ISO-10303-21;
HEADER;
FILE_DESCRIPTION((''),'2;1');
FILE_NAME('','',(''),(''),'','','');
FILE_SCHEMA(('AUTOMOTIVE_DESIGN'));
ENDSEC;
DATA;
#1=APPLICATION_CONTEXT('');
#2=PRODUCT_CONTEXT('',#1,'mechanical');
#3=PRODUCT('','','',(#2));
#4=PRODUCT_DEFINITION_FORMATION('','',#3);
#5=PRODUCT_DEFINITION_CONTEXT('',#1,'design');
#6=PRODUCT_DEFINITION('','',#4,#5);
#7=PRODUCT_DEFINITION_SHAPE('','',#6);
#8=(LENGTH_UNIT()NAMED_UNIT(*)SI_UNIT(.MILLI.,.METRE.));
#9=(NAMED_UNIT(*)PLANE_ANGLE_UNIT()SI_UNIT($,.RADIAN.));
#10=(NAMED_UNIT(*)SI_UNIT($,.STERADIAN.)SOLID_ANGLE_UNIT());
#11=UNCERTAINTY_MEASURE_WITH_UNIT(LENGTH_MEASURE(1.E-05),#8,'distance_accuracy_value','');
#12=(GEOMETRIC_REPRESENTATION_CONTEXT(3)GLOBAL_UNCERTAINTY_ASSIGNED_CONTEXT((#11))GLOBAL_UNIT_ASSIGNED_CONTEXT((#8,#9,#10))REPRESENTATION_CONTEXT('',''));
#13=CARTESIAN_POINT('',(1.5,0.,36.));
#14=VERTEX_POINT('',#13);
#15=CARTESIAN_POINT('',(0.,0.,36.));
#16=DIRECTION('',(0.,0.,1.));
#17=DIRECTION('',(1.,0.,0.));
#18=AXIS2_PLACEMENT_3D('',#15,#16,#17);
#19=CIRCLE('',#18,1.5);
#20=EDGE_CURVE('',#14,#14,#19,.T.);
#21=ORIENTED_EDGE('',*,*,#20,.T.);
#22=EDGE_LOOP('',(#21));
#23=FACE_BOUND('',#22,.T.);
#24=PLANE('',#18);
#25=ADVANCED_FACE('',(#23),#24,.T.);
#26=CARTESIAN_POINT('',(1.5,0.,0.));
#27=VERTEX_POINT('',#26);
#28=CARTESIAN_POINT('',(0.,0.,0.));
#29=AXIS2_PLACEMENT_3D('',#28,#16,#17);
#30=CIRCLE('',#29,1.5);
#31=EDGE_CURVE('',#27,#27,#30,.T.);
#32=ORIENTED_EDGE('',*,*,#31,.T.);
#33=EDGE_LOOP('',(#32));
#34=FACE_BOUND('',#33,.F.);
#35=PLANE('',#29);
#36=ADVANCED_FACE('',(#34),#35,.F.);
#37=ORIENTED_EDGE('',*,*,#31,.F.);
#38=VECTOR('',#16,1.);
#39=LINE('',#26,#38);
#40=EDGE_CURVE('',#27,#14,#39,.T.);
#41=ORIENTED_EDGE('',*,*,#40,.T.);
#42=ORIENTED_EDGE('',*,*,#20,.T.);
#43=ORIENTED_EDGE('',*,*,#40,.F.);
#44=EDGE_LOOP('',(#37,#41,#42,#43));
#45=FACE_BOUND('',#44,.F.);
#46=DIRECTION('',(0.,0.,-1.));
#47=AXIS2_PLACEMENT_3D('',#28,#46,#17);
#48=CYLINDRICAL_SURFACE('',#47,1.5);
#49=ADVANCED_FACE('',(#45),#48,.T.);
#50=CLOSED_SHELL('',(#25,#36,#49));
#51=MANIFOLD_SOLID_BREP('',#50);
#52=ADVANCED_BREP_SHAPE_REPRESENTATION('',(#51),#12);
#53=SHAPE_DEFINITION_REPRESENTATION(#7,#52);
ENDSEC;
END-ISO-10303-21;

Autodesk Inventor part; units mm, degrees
ref_plane "YZ Plane" through (0, 0, 0) normal (1, 0, 0) x (0, 1, 0)
ref_plane "XZ Plane" through (0, 0, 0) normal (0, 1, 0) x (-1, 0, 0)
ref_plane "XY Plane" through (0, 0, 0) normal (0, 0, 1) x (1, 0, 0)
sketch "Sketch1" plane through (0, 0, 0) normal (0, 0, 1) x (1, 0, 0)
  circle A0 centre (0, 0) radius 1.5
  dimension "d0" = 3
extrude "Extrusion1" add sketch "Sketch1" along normal blind 36
properties part number "3mm Brass Rod" material "Brass, Soft Yellow"
